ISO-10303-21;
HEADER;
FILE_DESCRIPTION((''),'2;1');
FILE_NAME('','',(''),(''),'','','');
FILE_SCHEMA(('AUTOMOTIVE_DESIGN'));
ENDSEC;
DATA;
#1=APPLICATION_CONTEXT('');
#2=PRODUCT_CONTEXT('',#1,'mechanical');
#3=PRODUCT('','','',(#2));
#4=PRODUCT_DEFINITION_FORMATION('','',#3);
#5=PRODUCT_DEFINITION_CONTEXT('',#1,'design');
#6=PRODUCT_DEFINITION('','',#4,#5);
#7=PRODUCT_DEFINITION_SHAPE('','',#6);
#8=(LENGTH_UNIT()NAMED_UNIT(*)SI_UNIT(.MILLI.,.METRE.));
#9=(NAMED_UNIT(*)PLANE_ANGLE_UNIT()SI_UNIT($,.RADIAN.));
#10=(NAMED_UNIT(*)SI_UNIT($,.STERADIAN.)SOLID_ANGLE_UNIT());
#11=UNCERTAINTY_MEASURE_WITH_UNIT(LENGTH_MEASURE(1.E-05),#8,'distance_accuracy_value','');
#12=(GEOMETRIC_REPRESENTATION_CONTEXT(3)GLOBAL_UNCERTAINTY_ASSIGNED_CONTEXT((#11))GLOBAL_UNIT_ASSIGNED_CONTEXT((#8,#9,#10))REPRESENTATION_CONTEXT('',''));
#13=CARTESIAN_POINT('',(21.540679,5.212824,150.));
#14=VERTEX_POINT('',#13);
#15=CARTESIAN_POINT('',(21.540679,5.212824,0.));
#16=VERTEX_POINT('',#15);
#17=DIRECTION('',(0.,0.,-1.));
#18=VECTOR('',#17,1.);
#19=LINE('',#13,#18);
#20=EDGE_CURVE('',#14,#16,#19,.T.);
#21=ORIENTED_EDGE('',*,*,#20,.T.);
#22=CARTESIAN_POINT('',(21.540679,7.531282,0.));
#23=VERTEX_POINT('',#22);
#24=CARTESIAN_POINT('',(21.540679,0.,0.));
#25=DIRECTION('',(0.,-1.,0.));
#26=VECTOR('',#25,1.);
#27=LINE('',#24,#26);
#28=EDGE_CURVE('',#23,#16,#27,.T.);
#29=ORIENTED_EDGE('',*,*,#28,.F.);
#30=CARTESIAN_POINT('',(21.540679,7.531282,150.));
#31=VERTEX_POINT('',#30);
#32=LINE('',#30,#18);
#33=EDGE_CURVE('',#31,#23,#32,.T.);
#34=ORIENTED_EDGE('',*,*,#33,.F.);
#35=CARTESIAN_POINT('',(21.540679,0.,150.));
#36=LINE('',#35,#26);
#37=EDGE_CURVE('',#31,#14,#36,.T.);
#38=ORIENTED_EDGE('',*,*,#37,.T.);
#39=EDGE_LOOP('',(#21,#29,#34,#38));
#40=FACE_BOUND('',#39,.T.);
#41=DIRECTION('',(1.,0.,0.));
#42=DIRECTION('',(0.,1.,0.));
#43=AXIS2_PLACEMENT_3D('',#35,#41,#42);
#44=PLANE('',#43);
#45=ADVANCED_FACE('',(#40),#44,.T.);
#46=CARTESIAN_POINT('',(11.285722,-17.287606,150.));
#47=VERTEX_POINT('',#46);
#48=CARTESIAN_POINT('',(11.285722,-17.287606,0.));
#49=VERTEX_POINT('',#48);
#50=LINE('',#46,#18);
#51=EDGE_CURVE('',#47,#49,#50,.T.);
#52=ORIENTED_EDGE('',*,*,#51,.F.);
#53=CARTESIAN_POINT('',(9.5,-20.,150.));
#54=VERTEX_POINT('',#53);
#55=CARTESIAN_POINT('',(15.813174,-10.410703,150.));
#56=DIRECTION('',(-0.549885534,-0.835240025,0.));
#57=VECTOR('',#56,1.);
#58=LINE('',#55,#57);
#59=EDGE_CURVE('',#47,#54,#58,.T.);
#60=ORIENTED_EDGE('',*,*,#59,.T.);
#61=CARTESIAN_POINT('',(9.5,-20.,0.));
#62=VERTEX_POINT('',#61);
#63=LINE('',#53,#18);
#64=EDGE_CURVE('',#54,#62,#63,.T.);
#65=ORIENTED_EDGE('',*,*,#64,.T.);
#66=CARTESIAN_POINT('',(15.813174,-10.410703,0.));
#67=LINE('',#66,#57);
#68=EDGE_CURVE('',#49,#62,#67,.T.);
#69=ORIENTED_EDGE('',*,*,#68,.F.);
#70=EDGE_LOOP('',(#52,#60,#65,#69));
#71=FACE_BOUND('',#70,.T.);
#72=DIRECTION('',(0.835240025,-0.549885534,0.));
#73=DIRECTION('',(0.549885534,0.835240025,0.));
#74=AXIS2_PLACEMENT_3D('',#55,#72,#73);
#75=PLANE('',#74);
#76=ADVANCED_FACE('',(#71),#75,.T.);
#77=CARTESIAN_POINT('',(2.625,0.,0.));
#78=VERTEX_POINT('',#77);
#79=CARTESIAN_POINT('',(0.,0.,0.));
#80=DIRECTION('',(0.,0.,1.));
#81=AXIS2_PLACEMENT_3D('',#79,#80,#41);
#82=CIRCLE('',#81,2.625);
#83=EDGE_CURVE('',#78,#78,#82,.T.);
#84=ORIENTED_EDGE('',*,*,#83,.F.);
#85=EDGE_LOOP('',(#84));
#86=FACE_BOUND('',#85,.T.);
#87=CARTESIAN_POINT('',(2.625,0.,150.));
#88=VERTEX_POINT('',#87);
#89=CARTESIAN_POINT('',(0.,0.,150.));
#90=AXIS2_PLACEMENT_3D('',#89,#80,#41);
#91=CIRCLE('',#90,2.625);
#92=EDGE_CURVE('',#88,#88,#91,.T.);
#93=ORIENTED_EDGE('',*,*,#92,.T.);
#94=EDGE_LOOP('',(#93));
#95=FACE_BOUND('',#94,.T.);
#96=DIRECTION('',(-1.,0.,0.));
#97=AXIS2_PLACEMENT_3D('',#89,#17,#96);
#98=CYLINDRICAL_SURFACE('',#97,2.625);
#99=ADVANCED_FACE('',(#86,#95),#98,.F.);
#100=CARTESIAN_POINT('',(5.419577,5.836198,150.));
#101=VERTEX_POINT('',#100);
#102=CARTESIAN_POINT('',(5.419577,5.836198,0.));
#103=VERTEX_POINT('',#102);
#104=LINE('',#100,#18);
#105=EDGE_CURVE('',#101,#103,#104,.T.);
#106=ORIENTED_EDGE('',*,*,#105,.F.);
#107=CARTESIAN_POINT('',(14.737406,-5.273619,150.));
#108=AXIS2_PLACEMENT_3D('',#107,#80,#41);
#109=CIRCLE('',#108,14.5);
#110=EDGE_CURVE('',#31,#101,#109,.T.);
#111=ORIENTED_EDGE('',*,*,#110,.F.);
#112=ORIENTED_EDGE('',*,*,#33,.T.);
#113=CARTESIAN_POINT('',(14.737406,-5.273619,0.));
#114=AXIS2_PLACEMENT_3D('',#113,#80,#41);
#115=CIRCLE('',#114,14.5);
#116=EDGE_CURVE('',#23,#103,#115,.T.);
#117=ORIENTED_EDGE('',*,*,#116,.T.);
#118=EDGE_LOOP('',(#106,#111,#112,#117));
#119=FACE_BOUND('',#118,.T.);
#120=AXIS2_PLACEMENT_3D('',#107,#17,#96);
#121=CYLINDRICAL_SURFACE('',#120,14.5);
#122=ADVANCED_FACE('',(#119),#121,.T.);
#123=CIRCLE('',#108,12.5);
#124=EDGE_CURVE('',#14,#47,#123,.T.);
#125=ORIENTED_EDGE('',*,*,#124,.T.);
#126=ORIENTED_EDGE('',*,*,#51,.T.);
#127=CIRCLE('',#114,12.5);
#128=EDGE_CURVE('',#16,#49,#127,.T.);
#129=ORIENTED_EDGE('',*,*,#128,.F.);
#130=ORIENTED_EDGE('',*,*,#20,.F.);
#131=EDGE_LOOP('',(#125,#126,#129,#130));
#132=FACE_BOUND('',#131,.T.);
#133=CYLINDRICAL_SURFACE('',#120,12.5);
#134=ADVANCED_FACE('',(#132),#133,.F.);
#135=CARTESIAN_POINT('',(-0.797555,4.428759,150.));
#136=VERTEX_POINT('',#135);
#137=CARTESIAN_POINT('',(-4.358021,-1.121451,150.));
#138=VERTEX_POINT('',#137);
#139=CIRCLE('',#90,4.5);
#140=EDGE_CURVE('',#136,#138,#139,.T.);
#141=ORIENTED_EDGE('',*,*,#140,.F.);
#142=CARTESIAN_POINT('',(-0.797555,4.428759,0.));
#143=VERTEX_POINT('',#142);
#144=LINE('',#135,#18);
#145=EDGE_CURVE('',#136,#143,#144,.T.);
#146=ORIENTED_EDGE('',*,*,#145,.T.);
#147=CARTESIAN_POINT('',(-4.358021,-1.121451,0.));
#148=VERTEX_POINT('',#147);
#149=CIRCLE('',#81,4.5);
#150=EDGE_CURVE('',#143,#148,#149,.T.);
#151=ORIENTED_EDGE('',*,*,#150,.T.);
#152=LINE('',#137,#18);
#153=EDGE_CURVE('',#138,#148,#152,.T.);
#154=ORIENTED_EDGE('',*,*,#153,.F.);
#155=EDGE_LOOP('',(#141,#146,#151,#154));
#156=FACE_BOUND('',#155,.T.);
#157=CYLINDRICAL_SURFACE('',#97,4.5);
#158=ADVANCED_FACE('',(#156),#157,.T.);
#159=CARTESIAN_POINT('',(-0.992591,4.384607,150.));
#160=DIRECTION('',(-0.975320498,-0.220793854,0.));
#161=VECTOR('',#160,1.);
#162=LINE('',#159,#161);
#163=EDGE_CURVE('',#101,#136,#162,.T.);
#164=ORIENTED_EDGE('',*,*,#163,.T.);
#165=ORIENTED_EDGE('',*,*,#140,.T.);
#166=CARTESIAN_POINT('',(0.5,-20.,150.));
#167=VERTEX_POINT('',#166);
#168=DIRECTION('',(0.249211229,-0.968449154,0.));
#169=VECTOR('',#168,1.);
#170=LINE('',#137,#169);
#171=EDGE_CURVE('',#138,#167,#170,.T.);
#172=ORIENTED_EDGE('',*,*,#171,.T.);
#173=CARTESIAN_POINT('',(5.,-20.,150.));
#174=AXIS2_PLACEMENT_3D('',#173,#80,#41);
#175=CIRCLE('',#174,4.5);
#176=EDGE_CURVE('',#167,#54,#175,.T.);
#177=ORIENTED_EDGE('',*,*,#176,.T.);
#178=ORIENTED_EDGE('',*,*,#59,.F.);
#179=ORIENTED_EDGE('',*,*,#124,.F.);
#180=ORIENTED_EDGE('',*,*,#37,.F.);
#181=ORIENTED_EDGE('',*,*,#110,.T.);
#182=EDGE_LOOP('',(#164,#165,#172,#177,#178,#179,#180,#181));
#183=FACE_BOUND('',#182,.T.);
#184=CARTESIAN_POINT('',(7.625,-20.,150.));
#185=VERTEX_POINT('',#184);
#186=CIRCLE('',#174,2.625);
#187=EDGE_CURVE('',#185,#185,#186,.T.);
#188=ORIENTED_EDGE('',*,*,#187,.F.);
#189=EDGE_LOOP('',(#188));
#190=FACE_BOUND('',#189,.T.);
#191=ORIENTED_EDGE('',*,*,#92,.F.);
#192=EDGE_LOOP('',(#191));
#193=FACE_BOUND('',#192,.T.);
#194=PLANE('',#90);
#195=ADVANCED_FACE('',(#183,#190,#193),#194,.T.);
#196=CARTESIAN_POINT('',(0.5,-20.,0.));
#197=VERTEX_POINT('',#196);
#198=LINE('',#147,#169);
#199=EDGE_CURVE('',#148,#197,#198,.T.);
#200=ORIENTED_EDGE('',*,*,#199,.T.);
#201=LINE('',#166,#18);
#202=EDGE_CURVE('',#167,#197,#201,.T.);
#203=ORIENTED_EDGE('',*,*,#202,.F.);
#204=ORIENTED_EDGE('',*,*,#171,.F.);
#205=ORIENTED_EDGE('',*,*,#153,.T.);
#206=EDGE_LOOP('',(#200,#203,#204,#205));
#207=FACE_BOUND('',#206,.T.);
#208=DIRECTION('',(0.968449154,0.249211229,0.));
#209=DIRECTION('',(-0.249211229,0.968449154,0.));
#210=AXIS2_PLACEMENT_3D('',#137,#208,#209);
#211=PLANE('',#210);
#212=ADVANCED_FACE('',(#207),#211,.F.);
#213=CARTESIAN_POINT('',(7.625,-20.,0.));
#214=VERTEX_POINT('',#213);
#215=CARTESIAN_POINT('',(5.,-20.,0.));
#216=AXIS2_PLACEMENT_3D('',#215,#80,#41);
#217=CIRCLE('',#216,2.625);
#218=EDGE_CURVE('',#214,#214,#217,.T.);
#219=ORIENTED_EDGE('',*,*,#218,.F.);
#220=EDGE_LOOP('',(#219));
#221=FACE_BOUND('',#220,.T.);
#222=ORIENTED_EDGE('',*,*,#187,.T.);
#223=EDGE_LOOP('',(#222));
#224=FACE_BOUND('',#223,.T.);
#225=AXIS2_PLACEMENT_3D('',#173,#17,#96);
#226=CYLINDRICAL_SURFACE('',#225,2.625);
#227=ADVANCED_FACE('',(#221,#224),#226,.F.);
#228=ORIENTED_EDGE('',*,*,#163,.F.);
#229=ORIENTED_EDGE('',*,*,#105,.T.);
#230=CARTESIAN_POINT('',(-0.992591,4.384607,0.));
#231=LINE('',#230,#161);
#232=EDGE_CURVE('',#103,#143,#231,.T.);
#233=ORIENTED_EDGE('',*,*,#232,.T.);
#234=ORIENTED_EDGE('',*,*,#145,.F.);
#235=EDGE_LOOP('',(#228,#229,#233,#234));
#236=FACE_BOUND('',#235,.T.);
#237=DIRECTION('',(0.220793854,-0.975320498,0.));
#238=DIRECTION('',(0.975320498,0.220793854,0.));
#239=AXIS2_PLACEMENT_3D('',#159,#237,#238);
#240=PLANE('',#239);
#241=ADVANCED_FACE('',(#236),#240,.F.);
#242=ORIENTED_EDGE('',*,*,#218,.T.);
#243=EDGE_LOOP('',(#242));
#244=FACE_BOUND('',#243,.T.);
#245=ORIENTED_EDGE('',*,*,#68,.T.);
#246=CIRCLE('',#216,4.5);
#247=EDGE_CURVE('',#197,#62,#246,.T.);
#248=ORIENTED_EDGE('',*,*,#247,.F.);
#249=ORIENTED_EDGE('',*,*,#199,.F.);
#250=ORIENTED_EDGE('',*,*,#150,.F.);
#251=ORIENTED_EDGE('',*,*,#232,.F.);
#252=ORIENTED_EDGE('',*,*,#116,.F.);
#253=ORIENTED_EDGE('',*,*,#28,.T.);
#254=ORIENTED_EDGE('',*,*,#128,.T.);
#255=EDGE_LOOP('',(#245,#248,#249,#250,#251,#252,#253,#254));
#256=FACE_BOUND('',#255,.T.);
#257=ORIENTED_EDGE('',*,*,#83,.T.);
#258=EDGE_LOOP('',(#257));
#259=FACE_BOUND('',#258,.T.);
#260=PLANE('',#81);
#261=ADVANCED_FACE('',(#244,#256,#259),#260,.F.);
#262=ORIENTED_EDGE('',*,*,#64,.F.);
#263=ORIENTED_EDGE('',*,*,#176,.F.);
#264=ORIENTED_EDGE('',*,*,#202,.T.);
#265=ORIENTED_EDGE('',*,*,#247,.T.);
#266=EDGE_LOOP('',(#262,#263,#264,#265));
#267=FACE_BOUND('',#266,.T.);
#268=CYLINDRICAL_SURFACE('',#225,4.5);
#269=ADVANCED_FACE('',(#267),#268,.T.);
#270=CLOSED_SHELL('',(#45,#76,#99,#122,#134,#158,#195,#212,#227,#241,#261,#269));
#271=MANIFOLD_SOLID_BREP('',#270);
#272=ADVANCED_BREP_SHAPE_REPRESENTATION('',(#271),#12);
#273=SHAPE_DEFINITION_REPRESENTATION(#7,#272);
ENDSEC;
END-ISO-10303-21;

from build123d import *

# Parameters (mm, degrees)
ESQUISSE1_R        = 2.625
BOSS_EXTRU_1_DEPTH = 150


with BuildPart() as part:
    # Esquisse1 → Boss.-Extru.1 (new body)
    with BuildSketch(Plane.XY):
        with BuildLine():
            ThreePointArc((-0.79755539, 4.428758901), (-3.787637609, 2.429773929), (-4.358021192, -1.12145053))
            Line((-4.358021192, -1.12145053), (0.5, -20))
            ThreePointArc((0.5, -20), (5, -24.5), (9.5, -20))
            Line((9.5, -20), (11.28572177, -17.287605871))
            ThreePointArc((11.28572177, -17.287605871), (10.940890985, -17.183131081), (10.599214607, -17.068761049))
            ThreePointArc((10.599214607, -17.068761049), (2.237966256, -5.391928791), (10.376689651, 6.441078731))
            ThreePointArc((10.376689651, 6.441078731), (16.104400227, 7.151408987), (21.540678755, 5.212823607))
            Line((21.540678755, 5.212823607), (21.540678755, 7.531281515))
            ThreePointArc((21.540678755, 7.531281515), (13.221135766, 9.146884287), (5.419576542, 5.836198326))
            Line((5.419576542, 5.836198326), (-0.79755539, 4.428758901))
        make_face()
        with Locations((5, -20)):
            Circle(ESQUISSE1_R, mode=Mode.SUBTRACT)
        Circle(ESQUISSE1_R, mode=Mode.SUBTRACT)
    extrude(amount=BOSS_EXTRU_1_DEPTH)


solid = part.part
